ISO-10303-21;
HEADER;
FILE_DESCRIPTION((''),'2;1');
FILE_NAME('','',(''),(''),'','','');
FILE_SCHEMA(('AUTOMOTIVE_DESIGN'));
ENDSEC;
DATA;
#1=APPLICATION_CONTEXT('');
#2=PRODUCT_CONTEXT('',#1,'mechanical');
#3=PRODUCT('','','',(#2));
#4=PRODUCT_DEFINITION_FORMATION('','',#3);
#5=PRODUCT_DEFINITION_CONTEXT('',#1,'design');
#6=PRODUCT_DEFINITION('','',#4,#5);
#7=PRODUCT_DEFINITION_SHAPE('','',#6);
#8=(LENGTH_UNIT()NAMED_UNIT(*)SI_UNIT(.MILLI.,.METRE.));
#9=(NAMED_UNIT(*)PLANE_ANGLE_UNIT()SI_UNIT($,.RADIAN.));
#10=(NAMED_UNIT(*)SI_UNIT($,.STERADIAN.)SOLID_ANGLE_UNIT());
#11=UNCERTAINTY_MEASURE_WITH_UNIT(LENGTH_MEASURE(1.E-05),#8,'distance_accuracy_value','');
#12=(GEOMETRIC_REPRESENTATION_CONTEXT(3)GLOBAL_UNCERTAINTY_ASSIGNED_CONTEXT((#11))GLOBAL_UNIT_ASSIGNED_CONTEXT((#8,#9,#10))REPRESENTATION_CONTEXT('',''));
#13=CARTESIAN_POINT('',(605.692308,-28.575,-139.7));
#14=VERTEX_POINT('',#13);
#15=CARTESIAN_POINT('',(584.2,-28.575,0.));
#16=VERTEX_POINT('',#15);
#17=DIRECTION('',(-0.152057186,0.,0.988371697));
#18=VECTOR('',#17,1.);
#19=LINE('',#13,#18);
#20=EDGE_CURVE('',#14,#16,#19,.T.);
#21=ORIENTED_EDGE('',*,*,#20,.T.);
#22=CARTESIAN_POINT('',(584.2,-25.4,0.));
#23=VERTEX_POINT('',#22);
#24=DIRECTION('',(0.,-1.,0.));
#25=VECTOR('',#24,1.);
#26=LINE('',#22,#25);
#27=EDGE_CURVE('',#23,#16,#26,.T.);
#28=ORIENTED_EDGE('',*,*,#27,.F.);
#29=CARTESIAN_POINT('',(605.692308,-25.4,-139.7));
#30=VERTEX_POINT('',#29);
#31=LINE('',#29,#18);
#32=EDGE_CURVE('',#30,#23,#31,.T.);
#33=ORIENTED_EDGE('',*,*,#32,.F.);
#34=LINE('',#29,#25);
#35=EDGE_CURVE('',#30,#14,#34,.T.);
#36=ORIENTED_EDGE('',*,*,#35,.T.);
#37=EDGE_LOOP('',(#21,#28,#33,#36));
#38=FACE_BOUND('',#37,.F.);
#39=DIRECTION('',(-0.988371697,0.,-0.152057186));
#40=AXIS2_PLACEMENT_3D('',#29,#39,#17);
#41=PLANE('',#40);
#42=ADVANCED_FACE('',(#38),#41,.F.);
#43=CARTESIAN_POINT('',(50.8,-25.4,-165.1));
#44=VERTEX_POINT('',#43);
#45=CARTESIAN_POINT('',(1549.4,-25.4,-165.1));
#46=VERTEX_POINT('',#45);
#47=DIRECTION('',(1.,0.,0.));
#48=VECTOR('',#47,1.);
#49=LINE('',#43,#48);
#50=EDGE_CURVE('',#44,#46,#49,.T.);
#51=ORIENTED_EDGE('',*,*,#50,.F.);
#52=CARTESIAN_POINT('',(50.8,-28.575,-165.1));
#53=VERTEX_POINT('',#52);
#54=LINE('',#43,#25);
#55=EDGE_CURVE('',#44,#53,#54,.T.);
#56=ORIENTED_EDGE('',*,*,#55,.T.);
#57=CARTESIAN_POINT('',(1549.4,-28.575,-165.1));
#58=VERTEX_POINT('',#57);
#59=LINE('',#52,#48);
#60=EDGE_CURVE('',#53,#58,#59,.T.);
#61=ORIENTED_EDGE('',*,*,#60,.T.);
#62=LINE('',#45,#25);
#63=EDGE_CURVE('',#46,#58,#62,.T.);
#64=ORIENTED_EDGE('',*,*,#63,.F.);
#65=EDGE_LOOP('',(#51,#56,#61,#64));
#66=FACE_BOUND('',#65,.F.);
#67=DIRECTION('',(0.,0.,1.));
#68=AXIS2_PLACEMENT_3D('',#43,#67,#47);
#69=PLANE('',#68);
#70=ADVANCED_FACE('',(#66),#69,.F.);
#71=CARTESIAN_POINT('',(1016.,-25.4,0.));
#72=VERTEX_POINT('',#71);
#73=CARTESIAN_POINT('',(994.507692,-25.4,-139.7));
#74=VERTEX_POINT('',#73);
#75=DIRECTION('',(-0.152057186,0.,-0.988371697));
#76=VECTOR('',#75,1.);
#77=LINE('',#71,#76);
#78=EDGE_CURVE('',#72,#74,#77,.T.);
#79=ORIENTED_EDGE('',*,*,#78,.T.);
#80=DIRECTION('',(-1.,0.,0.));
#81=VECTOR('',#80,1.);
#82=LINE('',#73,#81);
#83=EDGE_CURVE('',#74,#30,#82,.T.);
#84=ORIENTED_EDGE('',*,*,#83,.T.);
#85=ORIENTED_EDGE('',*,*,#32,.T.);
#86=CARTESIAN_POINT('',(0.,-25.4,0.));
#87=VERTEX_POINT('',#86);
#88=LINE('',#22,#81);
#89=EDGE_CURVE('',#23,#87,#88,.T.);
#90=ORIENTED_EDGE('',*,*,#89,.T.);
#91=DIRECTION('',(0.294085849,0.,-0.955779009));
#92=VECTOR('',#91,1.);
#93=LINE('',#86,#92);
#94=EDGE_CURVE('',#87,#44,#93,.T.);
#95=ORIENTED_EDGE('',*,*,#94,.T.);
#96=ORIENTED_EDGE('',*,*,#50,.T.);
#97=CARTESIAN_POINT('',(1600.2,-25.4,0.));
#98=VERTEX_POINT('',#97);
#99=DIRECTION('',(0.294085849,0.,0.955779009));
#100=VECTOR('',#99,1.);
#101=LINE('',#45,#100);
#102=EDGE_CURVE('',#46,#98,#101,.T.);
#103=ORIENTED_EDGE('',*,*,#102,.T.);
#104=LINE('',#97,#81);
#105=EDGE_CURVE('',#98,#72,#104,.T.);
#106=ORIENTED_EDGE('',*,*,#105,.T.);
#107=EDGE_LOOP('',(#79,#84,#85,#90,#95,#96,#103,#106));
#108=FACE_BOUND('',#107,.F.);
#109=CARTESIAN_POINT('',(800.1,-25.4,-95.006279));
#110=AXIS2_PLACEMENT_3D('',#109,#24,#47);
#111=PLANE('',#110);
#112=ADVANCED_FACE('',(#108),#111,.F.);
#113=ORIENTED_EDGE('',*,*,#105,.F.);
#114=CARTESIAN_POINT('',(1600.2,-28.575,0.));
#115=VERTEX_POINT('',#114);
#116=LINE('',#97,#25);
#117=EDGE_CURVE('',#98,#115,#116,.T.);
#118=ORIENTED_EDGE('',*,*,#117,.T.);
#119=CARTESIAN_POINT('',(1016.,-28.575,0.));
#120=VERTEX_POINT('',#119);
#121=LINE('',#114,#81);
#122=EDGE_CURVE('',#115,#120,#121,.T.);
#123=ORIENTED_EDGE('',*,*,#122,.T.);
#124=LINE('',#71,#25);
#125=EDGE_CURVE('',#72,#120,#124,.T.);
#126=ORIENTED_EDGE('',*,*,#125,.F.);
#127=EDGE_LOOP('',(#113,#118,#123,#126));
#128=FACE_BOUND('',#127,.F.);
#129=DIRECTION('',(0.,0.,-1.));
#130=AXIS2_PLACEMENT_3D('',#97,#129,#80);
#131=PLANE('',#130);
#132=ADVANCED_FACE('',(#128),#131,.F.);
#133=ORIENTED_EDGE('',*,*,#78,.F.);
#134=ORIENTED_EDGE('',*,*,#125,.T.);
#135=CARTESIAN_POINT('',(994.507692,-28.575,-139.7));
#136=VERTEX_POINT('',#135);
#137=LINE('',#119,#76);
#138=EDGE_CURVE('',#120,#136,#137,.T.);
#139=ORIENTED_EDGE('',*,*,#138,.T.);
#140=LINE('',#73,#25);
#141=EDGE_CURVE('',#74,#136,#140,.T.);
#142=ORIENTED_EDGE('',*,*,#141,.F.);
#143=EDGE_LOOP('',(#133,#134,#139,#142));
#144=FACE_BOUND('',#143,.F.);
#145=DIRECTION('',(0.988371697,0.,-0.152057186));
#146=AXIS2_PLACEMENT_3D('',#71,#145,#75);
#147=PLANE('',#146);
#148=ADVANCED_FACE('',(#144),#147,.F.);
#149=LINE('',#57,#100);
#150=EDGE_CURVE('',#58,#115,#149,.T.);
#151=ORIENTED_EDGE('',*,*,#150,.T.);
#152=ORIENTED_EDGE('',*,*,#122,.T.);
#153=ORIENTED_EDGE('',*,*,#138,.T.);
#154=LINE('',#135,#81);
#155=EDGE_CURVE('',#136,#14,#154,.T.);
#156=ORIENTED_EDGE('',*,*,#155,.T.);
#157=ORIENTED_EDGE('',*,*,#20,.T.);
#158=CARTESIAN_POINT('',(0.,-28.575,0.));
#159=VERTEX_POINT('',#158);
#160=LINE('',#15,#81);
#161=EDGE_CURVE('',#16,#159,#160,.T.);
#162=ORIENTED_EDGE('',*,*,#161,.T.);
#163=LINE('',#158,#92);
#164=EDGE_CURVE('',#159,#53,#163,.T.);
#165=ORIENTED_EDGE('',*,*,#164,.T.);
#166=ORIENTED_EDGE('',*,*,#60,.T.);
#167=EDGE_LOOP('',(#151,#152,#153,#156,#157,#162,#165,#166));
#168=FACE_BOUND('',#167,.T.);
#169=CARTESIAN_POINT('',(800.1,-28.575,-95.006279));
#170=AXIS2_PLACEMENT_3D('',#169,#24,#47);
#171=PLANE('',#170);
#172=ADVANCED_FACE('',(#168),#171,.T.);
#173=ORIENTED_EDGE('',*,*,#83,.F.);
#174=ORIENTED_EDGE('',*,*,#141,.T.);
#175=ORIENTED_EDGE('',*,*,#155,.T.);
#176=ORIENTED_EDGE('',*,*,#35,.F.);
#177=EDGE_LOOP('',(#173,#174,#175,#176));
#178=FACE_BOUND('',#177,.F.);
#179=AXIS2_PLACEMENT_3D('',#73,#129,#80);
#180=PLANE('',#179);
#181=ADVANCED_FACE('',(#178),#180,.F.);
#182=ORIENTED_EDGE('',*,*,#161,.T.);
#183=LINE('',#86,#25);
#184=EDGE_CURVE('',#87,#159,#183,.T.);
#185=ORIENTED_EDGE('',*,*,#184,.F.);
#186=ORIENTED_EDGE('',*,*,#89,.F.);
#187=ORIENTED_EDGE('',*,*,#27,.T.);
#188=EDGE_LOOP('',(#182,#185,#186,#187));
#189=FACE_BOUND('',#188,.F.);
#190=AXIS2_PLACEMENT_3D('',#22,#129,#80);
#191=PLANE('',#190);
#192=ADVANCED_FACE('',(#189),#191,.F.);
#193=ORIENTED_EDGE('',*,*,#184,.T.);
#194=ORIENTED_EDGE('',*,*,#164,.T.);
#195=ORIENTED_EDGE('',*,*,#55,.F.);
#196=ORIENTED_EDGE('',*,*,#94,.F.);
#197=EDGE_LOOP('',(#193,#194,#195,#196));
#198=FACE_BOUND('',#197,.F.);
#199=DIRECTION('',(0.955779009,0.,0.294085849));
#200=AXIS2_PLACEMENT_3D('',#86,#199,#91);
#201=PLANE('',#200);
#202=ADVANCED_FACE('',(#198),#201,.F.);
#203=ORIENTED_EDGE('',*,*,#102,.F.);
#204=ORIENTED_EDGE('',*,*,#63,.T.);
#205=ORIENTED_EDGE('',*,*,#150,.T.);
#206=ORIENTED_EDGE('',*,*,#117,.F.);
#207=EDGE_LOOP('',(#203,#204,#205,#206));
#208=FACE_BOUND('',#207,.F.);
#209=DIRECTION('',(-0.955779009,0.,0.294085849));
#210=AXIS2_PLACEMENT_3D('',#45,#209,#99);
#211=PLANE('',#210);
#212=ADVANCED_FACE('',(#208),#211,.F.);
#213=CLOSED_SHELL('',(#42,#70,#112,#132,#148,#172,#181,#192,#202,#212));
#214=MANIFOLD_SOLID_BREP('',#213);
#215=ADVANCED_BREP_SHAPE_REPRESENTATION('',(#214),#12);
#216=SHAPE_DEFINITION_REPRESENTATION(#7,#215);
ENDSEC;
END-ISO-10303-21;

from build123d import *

# Parameters (mm, degrees)
F2_DEPTH = 3.175


with BuildPart() as f2:
    # F1 (on offset) → F2 (new body)
    with BuildSketch(Plane.XZ.offset(25.4)):
        Polygon((584.2, 0), (0, 0), (50.8, -165.1), (1549.4, -165.1), (1600.2, 0), (1016, 0), (994.507692, -139.7), (800.1, -139.7), (605.692308, -139.7), align=None)
    extrude(amount=F2_DEPTH)


solid = f2.part
